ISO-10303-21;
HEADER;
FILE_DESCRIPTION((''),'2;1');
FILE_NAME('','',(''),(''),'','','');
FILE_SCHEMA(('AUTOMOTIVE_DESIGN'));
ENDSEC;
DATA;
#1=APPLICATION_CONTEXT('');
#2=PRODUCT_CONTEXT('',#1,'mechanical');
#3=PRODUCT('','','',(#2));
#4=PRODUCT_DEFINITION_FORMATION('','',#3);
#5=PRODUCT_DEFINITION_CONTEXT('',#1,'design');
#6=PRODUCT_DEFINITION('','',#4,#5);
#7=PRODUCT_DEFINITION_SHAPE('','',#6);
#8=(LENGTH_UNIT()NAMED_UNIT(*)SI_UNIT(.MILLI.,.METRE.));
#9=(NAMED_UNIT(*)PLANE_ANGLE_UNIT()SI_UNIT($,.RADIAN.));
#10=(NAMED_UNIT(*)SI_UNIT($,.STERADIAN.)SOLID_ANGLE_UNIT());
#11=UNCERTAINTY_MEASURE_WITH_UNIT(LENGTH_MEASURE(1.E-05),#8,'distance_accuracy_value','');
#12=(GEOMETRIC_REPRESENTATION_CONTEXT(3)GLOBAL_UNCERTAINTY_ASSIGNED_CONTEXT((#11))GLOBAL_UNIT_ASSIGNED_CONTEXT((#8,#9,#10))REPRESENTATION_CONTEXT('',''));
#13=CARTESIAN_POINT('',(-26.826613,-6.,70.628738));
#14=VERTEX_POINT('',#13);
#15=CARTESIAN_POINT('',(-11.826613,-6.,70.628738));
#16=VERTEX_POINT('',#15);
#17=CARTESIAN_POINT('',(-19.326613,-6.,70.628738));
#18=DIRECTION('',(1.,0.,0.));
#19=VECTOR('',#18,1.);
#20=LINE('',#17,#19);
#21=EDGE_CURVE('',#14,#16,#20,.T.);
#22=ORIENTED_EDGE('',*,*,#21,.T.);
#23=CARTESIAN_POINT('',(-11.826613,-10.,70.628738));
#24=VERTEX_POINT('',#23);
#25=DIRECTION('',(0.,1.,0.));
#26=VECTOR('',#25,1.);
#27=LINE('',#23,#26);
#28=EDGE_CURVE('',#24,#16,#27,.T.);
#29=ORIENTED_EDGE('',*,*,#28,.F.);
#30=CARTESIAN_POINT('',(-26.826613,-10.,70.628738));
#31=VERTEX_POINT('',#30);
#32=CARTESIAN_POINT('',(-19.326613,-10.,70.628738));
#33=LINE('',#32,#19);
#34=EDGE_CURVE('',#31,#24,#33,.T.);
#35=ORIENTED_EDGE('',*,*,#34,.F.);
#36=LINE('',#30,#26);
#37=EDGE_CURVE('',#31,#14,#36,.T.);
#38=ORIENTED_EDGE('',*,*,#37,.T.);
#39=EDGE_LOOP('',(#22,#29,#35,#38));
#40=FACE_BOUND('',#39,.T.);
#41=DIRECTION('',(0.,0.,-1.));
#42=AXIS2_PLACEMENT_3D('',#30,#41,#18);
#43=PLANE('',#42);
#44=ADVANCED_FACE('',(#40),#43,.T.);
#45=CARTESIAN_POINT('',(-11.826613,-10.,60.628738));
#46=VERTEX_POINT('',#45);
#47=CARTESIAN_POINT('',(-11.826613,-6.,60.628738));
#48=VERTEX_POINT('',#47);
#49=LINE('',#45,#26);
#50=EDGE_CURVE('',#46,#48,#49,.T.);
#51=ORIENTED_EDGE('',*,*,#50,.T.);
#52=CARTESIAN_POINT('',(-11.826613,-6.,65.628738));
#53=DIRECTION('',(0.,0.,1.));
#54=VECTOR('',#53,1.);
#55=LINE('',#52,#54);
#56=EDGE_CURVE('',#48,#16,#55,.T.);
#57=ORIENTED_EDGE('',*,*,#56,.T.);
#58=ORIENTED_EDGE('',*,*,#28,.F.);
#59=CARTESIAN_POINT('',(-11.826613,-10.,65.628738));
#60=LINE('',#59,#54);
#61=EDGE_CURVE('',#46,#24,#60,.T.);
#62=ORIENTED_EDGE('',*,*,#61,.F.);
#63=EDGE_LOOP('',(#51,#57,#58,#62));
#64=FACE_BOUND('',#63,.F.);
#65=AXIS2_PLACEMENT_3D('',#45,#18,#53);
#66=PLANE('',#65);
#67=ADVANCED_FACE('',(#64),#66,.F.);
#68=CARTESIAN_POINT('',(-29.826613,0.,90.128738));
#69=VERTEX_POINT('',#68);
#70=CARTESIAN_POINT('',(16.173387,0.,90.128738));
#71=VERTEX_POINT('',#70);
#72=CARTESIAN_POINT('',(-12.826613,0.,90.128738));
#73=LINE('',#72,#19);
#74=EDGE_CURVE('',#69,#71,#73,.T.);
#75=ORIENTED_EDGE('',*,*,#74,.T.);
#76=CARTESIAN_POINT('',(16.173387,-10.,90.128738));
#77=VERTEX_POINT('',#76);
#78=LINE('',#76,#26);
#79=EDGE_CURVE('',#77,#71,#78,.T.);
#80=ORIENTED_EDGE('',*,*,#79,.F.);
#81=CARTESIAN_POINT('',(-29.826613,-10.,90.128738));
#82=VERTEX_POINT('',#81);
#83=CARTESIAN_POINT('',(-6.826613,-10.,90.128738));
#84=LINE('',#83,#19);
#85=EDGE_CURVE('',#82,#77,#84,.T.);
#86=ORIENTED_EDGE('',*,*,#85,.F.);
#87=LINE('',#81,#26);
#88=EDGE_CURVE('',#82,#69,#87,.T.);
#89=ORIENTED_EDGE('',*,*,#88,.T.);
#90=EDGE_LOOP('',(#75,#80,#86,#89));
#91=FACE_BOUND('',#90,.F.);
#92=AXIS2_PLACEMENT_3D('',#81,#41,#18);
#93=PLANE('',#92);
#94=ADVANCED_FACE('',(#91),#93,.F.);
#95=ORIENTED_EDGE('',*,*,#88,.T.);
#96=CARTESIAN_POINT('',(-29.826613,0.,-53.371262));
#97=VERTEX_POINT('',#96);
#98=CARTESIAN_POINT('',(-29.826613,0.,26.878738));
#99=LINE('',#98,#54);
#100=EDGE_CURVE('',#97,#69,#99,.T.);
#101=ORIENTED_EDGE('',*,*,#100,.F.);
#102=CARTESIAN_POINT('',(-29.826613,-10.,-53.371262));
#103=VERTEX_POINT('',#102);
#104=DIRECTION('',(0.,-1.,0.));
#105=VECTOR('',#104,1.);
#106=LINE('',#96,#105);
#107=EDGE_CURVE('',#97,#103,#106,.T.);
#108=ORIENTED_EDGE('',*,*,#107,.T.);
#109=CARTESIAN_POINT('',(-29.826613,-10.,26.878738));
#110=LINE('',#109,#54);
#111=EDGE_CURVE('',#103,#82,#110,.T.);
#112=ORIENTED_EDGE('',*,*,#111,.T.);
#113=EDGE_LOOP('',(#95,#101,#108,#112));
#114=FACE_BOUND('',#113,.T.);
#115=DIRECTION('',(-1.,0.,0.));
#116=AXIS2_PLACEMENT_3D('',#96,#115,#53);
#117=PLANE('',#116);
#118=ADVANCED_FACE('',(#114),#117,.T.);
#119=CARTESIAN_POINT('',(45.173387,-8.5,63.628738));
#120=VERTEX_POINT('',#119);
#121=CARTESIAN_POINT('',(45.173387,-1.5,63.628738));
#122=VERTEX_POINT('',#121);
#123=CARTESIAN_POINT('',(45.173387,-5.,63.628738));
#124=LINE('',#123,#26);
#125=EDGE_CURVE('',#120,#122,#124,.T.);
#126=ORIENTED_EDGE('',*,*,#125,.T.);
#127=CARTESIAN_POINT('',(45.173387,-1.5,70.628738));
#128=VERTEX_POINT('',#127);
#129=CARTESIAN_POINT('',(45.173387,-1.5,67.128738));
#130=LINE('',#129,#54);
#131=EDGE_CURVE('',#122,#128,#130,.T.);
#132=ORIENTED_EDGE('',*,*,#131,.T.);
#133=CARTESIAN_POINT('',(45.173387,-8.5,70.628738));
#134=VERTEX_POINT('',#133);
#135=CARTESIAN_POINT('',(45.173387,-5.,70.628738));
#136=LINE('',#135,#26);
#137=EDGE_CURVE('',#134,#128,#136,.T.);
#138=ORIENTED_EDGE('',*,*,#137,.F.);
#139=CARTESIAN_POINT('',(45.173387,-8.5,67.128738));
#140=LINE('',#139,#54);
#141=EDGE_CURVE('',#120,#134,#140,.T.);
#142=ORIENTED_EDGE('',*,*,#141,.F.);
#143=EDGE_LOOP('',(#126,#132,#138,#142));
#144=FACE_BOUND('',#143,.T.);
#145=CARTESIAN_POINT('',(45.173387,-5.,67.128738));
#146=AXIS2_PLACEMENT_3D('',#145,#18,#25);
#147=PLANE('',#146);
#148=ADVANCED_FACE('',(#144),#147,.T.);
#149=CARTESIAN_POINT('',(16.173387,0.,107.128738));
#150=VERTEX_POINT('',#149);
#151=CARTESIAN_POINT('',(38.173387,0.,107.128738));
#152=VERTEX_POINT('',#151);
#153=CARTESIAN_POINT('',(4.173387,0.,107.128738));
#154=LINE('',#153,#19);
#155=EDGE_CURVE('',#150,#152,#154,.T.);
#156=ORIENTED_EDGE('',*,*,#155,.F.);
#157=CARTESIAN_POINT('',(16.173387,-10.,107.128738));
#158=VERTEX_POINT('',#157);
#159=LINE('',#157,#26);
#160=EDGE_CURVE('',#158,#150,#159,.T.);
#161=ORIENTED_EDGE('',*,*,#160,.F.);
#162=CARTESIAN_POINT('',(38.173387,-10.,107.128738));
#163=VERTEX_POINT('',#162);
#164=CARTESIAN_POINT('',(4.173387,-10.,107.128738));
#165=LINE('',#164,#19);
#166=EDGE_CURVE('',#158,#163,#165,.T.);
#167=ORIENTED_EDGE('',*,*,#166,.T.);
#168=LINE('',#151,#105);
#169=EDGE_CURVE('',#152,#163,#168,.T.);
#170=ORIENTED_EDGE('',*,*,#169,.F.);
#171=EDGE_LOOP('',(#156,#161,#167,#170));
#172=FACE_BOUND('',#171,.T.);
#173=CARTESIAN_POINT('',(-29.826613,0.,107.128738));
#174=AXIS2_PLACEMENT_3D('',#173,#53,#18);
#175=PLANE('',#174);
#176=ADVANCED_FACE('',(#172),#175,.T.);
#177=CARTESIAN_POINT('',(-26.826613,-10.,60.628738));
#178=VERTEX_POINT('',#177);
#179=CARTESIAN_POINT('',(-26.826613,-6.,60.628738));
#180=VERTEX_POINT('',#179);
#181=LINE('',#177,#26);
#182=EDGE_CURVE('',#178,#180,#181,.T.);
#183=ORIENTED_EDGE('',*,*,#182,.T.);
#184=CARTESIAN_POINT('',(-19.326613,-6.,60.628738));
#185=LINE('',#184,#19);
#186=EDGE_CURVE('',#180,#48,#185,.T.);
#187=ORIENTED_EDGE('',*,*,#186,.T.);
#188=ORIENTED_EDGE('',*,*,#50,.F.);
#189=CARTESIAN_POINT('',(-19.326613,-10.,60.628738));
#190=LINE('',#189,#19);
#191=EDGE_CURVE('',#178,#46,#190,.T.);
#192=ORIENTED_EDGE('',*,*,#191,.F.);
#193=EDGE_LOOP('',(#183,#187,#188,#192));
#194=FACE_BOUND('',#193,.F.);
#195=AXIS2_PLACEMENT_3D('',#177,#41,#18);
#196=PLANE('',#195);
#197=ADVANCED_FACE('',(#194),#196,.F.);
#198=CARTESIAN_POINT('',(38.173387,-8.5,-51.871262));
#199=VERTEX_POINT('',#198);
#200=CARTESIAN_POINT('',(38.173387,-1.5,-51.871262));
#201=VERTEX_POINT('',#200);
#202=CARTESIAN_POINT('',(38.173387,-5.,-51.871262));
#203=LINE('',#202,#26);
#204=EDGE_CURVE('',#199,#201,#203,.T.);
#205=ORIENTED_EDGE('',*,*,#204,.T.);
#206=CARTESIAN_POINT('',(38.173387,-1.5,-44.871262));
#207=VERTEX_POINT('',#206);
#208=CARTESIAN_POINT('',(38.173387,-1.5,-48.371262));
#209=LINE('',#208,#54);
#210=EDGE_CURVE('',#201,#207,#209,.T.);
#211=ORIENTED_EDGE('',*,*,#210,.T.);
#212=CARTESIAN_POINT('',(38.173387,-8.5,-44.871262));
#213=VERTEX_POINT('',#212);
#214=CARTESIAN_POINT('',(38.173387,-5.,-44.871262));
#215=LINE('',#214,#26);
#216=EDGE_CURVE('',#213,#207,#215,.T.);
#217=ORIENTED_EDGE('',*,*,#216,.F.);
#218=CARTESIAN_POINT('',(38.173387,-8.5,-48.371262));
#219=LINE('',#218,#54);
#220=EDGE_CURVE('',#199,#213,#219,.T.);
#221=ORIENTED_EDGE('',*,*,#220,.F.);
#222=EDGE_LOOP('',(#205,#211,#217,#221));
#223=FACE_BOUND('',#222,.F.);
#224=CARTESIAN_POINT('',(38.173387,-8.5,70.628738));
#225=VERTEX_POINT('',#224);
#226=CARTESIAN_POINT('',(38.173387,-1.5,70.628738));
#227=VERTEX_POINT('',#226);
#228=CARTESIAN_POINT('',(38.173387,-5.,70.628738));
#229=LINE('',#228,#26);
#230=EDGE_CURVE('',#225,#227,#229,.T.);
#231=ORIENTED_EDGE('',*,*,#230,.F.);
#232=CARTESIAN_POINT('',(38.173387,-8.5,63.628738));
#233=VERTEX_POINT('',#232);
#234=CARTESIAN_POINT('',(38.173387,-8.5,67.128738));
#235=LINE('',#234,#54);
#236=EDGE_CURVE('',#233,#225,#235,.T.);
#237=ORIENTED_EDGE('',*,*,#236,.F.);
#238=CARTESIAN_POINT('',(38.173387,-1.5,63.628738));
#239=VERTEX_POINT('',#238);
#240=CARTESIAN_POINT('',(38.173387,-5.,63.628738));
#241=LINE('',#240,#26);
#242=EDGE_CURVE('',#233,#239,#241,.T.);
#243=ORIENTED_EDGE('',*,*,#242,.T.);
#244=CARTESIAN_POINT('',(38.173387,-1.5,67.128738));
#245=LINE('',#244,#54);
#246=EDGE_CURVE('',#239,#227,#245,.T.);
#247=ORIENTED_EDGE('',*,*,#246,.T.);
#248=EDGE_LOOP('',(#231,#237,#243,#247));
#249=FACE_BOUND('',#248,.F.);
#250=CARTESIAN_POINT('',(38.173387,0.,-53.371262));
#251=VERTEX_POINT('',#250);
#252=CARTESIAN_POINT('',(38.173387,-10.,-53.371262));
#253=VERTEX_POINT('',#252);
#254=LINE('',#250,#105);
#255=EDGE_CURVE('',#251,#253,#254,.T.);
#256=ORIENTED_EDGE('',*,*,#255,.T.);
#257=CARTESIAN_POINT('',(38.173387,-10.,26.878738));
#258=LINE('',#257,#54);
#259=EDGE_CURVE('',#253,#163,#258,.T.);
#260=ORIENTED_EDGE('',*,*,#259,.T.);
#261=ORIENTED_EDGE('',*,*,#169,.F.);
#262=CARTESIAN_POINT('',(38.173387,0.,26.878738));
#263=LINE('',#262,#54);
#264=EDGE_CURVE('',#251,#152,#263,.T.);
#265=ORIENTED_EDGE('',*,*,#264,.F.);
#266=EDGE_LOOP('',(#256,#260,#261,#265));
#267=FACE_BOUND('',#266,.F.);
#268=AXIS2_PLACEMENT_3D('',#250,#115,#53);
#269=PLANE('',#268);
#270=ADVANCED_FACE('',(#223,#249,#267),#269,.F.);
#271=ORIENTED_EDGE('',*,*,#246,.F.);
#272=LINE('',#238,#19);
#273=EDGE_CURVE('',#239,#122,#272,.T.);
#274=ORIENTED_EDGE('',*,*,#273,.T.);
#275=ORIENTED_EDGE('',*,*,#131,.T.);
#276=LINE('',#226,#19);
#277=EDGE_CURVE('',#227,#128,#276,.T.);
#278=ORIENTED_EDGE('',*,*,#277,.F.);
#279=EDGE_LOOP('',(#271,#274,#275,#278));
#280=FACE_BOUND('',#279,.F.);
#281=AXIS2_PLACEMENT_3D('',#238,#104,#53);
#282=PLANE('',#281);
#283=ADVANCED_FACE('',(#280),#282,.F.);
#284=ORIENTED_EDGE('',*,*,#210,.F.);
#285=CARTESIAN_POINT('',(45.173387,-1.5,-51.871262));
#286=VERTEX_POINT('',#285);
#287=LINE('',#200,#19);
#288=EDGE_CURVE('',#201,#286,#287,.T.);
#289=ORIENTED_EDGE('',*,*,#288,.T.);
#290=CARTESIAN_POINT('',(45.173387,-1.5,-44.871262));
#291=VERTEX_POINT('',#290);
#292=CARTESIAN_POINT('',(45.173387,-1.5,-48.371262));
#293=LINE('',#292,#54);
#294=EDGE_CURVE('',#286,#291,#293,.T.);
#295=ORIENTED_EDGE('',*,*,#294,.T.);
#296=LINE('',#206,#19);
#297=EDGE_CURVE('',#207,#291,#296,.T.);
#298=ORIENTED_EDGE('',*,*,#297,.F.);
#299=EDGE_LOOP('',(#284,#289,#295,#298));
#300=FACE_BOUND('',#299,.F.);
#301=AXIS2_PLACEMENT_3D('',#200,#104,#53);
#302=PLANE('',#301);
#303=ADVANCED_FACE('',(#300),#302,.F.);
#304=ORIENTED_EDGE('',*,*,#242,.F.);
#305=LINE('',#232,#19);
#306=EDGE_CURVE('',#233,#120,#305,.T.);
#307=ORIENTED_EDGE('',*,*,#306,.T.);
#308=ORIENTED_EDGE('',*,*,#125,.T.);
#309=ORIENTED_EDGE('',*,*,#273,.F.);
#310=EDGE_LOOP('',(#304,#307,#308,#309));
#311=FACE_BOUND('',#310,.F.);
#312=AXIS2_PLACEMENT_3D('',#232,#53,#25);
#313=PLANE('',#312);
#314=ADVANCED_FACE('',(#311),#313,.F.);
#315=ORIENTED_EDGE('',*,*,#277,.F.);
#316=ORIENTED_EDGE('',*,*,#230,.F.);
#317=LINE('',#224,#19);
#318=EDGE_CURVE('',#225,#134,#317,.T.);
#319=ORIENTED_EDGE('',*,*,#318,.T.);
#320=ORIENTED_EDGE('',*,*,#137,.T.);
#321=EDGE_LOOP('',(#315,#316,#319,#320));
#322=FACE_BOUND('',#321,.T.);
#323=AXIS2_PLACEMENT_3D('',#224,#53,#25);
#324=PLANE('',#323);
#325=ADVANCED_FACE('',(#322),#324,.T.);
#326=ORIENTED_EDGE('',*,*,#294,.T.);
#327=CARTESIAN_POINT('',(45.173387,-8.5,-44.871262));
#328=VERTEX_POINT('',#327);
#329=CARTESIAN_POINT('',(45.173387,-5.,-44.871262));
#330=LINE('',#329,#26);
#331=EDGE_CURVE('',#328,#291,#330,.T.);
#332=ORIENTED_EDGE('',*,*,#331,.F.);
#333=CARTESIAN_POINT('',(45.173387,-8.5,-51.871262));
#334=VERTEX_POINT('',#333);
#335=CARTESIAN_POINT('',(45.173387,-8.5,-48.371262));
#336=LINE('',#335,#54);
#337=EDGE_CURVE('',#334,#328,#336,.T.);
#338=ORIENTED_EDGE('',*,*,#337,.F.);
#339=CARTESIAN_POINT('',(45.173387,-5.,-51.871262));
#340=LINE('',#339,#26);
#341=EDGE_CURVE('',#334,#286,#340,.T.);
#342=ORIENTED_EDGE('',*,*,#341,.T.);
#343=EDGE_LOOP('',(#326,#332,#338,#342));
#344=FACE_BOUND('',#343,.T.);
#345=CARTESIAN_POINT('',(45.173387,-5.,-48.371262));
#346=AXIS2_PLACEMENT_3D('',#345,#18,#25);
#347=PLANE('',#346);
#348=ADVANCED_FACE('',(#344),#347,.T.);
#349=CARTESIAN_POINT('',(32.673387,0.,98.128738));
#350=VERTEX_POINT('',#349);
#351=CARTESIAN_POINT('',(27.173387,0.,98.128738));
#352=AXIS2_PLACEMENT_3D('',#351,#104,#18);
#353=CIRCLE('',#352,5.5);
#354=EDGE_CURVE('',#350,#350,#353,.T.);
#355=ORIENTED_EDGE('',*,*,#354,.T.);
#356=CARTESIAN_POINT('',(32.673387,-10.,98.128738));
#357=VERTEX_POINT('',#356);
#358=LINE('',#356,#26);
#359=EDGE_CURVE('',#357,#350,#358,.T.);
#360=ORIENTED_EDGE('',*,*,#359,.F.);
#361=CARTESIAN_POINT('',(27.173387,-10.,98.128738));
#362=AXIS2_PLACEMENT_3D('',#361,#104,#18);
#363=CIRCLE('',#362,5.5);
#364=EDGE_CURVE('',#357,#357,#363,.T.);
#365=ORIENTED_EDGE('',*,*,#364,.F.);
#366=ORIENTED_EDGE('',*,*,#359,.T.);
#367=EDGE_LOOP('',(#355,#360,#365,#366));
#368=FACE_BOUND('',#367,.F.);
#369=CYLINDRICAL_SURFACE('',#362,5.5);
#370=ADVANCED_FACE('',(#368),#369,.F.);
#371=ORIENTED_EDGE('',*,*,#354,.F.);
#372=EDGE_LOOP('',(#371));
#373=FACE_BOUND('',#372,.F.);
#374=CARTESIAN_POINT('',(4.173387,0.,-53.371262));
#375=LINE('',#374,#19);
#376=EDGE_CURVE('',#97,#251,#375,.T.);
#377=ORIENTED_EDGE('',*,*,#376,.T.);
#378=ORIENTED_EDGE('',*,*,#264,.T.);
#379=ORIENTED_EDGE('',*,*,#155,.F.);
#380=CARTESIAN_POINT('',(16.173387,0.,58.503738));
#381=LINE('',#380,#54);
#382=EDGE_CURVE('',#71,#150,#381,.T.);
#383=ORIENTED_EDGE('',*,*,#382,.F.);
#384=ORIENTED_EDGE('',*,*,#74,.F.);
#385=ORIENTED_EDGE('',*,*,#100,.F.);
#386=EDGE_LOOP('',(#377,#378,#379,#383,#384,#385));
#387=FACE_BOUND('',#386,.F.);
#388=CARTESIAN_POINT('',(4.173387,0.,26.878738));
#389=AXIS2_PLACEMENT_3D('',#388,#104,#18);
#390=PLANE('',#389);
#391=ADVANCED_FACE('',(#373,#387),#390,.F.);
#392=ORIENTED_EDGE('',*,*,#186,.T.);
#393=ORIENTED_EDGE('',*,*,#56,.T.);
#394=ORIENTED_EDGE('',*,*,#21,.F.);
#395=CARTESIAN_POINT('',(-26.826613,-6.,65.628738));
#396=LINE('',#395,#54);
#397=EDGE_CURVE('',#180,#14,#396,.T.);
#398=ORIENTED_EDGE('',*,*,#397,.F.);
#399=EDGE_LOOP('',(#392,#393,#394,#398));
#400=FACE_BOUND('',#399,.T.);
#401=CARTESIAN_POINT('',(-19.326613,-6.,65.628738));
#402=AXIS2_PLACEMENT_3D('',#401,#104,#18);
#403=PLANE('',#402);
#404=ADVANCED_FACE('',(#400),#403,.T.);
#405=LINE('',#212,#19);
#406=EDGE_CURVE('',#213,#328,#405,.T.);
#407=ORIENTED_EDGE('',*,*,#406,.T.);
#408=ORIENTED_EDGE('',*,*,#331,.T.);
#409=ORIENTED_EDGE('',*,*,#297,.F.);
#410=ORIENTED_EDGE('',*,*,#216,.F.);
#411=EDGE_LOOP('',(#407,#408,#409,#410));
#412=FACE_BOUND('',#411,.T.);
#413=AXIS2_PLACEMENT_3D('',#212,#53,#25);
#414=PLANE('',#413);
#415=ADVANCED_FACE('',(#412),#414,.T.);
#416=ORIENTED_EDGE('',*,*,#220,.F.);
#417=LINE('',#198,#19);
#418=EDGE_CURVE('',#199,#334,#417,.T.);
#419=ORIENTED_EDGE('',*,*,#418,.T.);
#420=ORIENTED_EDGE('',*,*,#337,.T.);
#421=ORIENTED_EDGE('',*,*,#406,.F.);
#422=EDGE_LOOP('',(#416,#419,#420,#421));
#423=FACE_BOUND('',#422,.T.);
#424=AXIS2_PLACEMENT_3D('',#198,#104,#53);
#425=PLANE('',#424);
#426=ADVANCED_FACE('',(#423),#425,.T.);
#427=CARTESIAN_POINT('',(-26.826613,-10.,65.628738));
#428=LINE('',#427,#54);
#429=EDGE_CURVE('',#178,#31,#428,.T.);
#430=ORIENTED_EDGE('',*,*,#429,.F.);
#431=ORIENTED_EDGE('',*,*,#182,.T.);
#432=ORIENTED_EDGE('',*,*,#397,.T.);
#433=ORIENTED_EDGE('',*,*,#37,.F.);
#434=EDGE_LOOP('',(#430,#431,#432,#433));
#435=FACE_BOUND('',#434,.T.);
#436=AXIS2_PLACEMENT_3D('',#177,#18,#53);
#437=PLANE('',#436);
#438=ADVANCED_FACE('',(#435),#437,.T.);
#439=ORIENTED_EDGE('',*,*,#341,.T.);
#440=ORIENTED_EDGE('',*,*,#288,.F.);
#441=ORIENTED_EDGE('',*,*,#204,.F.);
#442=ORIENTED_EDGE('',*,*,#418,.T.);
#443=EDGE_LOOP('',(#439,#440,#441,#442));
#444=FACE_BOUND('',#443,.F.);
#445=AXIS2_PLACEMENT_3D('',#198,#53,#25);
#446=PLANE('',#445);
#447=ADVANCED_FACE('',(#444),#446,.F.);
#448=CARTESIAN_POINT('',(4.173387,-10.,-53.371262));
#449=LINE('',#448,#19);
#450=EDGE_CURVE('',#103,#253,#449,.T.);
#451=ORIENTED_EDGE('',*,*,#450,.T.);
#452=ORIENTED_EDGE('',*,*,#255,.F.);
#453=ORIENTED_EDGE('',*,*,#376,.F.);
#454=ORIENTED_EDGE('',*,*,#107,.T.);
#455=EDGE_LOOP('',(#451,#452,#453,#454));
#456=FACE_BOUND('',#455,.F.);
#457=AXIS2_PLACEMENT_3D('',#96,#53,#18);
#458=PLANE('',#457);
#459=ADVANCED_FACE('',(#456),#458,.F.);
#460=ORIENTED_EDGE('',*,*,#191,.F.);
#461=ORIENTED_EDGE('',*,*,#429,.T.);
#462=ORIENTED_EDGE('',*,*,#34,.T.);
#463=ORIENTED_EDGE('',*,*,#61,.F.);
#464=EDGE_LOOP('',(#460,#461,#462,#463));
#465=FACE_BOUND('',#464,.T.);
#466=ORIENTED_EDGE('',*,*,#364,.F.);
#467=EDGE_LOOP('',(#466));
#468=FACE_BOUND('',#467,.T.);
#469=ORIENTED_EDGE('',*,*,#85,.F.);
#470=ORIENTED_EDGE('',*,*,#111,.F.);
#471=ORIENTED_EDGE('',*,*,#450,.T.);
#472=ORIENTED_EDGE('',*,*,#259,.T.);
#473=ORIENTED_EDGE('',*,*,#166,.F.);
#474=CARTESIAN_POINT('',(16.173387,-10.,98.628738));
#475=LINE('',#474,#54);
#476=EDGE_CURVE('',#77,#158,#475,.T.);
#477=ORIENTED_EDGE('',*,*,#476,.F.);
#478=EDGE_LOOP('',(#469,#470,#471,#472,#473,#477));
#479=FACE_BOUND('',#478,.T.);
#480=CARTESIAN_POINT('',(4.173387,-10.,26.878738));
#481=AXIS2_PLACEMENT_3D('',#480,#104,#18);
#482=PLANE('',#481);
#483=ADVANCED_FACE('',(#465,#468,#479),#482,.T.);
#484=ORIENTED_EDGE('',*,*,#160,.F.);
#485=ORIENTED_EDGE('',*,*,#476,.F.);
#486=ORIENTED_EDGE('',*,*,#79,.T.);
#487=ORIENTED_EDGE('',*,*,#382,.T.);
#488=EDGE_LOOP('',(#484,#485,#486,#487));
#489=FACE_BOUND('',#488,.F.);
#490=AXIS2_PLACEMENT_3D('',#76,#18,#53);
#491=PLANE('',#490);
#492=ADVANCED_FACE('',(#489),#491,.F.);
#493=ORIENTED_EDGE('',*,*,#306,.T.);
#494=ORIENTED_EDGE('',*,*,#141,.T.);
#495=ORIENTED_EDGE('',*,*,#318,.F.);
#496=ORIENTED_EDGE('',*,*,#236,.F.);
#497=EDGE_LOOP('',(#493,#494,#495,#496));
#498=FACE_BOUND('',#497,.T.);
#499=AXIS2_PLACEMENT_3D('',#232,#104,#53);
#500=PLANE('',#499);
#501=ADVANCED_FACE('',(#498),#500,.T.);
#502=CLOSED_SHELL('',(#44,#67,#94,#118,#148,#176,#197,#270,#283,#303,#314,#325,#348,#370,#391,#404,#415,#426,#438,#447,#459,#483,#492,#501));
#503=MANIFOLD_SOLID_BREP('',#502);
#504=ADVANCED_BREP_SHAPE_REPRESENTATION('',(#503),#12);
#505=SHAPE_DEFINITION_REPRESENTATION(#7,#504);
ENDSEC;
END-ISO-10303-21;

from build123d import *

# Parameters (mm, degrees)
F0_W     = 68
F0_H     = 160.5
F1_DEPTH = 10
F2_W     = 46
F2_H     = 17
F3_DEPTH = 25
F4_R     = 5.5
F5_DEPTH = 25
F6_W     = 15
F6_H     = 10
F7_DEPTH = 4
F8_W     = 7
F8_H     = 7
F9_DEPTH = 7


with BuildPart() as f1:
    # F0 (on Front) → F1 (new body)
    with BuildSketch(Plane.XZ):
        with Locations((4.173387, 26.878738)):
            Rectangle(F0_W, F0_H)
    extrude(amount=F1_DEPTH)

    # F2 (on face) → F3 (cut)
    with BuildSketch(Plane.XZ.offset(10)):
        with Locations((-6.826613, 98.628738)):
            Rectangle(F2_W, F2_H)
    extrude(amount=-F3_DEPTH, mode=Mode.SUBTRACT)

    # F4 (on face) → F5 (cut)
    with BuildSketch(Plane.XZ.offset(10)):
        with Locations((27.173387, 98.128738)):
            Circle(F4_R)
    extrude(amount=-F5_DEPTH, mode=Mode.SUBTRACT)

    # F6 (on face) → F7 (cut)
    with BuildSketch(Plane.XZ.offset(10)):
        with Locations((-19.326613, 65.628738)):
            Rectangle(F6_W, F6_H)
    extrude(amount=-F7_DEPTH, mode=Mode.SUBTRACT)

    # F8 (on face) → F9 (join)
    with BuildSketch(Plane.YZ.offset(38.173387)):
        with Locations((-5, -48.371262)):
            Rectangle(F8_W, F8_H)
        with Locations((-5, 67.128738)):
            Rectangle(F8_W, F8_H)
    extrude(amount=F9_DEPTH)


solid = f1.part
